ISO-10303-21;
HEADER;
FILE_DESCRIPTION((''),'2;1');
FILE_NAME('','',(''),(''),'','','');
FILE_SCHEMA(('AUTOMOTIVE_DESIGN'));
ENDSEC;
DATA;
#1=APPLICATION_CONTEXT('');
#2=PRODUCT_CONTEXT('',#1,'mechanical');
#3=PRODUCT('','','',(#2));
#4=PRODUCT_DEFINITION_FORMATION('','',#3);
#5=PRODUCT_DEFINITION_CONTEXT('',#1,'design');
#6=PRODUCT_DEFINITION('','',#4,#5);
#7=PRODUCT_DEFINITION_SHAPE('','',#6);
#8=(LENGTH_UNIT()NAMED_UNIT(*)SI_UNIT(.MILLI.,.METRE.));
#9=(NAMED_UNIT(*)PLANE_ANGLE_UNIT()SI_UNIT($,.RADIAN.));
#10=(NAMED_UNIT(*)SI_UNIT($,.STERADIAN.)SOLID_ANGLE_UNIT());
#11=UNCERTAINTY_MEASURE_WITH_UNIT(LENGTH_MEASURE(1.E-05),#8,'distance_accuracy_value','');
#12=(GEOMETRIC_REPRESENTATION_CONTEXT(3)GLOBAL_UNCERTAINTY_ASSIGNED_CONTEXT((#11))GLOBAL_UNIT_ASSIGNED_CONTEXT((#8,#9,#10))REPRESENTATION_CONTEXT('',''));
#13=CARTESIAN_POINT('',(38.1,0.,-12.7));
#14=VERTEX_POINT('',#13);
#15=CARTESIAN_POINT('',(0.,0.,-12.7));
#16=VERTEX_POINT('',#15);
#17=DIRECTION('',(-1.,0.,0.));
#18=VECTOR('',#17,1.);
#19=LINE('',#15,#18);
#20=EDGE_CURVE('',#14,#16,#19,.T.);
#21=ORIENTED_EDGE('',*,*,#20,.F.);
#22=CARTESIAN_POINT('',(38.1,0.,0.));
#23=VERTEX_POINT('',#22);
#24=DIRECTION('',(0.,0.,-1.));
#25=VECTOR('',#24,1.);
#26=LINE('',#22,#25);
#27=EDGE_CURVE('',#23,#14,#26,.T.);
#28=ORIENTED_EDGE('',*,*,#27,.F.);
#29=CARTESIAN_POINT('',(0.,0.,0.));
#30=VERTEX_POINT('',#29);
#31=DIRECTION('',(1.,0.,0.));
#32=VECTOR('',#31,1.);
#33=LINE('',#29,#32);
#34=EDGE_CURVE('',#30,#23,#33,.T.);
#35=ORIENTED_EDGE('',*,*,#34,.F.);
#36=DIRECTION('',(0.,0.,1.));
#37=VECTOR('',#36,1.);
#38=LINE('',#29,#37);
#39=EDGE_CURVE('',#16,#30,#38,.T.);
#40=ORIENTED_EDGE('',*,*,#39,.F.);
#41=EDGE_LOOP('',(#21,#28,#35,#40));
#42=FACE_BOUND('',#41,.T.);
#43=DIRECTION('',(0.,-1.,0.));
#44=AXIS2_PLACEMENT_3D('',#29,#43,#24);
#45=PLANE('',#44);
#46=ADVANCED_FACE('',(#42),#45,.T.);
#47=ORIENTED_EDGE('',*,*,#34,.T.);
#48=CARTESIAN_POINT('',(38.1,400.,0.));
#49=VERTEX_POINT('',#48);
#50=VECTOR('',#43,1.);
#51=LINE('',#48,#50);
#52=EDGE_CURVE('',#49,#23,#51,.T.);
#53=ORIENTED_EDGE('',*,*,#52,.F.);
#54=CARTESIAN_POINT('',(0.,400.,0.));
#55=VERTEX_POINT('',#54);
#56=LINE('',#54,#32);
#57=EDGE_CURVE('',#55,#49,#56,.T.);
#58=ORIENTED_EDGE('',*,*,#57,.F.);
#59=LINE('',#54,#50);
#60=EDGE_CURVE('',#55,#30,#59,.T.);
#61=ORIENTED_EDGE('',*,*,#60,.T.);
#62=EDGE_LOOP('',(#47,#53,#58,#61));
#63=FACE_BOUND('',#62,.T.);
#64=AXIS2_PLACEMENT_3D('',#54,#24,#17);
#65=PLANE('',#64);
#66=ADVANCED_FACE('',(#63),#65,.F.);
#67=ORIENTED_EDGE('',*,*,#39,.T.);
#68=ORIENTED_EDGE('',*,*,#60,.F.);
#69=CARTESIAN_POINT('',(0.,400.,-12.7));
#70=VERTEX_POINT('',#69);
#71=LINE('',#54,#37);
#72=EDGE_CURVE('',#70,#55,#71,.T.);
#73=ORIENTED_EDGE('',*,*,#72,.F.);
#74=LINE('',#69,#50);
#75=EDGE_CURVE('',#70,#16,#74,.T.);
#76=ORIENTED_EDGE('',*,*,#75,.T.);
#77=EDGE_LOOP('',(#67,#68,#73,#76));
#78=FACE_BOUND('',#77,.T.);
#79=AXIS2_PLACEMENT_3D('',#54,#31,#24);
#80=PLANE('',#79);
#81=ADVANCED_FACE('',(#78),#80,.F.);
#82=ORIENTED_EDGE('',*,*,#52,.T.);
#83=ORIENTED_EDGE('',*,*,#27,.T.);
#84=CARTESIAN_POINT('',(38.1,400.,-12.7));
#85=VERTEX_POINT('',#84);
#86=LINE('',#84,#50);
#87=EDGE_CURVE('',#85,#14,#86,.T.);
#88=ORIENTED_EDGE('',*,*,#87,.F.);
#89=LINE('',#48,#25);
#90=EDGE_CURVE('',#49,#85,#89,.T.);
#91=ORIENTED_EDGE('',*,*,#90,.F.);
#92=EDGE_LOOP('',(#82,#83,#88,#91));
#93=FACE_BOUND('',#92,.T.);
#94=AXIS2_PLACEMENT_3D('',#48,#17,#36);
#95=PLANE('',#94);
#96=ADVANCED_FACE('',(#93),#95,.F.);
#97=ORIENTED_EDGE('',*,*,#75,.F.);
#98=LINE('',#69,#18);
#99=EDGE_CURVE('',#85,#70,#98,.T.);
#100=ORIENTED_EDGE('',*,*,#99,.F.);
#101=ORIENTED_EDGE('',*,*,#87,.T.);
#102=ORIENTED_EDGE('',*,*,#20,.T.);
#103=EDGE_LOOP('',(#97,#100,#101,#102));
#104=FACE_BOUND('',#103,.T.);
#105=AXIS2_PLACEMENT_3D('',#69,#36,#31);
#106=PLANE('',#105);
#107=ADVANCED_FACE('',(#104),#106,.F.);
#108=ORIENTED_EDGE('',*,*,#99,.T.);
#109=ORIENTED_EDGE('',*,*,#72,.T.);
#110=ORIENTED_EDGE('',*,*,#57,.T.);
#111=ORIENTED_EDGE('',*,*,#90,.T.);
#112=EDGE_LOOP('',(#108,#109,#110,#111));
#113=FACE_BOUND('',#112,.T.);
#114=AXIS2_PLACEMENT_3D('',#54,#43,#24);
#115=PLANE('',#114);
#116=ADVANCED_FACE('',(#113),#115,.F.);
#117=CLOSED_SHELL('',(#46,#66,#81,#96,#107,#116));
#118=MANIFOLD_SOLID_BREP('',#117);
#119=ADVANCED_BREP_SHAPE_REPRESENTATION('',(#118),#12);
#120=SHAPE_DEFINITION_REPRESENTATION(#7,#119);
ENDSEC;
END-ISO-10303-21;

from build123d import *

# Parameters (mm, degrees)
SKETCH1_W           = 38.1
SKETCH1_H           = 12.7
BOSS_EXTRUDE1_DEPTH = 400


with BuildPart() as part:
    # Sketch1 → Boss-Extrude1 (new body)
    with BuildSketch(Plane(origin=(0, 0, 0), x_dir=(1, 0, 0), z_dir=(0, 1, 0))):
        with Locations((19.05, 6.35)):
            Rectangle(SKETCH1_W, SKETCH1_H)
    extrude(amount=BOSS_EXTRUDE1_DEPTH)


solid = part.part
